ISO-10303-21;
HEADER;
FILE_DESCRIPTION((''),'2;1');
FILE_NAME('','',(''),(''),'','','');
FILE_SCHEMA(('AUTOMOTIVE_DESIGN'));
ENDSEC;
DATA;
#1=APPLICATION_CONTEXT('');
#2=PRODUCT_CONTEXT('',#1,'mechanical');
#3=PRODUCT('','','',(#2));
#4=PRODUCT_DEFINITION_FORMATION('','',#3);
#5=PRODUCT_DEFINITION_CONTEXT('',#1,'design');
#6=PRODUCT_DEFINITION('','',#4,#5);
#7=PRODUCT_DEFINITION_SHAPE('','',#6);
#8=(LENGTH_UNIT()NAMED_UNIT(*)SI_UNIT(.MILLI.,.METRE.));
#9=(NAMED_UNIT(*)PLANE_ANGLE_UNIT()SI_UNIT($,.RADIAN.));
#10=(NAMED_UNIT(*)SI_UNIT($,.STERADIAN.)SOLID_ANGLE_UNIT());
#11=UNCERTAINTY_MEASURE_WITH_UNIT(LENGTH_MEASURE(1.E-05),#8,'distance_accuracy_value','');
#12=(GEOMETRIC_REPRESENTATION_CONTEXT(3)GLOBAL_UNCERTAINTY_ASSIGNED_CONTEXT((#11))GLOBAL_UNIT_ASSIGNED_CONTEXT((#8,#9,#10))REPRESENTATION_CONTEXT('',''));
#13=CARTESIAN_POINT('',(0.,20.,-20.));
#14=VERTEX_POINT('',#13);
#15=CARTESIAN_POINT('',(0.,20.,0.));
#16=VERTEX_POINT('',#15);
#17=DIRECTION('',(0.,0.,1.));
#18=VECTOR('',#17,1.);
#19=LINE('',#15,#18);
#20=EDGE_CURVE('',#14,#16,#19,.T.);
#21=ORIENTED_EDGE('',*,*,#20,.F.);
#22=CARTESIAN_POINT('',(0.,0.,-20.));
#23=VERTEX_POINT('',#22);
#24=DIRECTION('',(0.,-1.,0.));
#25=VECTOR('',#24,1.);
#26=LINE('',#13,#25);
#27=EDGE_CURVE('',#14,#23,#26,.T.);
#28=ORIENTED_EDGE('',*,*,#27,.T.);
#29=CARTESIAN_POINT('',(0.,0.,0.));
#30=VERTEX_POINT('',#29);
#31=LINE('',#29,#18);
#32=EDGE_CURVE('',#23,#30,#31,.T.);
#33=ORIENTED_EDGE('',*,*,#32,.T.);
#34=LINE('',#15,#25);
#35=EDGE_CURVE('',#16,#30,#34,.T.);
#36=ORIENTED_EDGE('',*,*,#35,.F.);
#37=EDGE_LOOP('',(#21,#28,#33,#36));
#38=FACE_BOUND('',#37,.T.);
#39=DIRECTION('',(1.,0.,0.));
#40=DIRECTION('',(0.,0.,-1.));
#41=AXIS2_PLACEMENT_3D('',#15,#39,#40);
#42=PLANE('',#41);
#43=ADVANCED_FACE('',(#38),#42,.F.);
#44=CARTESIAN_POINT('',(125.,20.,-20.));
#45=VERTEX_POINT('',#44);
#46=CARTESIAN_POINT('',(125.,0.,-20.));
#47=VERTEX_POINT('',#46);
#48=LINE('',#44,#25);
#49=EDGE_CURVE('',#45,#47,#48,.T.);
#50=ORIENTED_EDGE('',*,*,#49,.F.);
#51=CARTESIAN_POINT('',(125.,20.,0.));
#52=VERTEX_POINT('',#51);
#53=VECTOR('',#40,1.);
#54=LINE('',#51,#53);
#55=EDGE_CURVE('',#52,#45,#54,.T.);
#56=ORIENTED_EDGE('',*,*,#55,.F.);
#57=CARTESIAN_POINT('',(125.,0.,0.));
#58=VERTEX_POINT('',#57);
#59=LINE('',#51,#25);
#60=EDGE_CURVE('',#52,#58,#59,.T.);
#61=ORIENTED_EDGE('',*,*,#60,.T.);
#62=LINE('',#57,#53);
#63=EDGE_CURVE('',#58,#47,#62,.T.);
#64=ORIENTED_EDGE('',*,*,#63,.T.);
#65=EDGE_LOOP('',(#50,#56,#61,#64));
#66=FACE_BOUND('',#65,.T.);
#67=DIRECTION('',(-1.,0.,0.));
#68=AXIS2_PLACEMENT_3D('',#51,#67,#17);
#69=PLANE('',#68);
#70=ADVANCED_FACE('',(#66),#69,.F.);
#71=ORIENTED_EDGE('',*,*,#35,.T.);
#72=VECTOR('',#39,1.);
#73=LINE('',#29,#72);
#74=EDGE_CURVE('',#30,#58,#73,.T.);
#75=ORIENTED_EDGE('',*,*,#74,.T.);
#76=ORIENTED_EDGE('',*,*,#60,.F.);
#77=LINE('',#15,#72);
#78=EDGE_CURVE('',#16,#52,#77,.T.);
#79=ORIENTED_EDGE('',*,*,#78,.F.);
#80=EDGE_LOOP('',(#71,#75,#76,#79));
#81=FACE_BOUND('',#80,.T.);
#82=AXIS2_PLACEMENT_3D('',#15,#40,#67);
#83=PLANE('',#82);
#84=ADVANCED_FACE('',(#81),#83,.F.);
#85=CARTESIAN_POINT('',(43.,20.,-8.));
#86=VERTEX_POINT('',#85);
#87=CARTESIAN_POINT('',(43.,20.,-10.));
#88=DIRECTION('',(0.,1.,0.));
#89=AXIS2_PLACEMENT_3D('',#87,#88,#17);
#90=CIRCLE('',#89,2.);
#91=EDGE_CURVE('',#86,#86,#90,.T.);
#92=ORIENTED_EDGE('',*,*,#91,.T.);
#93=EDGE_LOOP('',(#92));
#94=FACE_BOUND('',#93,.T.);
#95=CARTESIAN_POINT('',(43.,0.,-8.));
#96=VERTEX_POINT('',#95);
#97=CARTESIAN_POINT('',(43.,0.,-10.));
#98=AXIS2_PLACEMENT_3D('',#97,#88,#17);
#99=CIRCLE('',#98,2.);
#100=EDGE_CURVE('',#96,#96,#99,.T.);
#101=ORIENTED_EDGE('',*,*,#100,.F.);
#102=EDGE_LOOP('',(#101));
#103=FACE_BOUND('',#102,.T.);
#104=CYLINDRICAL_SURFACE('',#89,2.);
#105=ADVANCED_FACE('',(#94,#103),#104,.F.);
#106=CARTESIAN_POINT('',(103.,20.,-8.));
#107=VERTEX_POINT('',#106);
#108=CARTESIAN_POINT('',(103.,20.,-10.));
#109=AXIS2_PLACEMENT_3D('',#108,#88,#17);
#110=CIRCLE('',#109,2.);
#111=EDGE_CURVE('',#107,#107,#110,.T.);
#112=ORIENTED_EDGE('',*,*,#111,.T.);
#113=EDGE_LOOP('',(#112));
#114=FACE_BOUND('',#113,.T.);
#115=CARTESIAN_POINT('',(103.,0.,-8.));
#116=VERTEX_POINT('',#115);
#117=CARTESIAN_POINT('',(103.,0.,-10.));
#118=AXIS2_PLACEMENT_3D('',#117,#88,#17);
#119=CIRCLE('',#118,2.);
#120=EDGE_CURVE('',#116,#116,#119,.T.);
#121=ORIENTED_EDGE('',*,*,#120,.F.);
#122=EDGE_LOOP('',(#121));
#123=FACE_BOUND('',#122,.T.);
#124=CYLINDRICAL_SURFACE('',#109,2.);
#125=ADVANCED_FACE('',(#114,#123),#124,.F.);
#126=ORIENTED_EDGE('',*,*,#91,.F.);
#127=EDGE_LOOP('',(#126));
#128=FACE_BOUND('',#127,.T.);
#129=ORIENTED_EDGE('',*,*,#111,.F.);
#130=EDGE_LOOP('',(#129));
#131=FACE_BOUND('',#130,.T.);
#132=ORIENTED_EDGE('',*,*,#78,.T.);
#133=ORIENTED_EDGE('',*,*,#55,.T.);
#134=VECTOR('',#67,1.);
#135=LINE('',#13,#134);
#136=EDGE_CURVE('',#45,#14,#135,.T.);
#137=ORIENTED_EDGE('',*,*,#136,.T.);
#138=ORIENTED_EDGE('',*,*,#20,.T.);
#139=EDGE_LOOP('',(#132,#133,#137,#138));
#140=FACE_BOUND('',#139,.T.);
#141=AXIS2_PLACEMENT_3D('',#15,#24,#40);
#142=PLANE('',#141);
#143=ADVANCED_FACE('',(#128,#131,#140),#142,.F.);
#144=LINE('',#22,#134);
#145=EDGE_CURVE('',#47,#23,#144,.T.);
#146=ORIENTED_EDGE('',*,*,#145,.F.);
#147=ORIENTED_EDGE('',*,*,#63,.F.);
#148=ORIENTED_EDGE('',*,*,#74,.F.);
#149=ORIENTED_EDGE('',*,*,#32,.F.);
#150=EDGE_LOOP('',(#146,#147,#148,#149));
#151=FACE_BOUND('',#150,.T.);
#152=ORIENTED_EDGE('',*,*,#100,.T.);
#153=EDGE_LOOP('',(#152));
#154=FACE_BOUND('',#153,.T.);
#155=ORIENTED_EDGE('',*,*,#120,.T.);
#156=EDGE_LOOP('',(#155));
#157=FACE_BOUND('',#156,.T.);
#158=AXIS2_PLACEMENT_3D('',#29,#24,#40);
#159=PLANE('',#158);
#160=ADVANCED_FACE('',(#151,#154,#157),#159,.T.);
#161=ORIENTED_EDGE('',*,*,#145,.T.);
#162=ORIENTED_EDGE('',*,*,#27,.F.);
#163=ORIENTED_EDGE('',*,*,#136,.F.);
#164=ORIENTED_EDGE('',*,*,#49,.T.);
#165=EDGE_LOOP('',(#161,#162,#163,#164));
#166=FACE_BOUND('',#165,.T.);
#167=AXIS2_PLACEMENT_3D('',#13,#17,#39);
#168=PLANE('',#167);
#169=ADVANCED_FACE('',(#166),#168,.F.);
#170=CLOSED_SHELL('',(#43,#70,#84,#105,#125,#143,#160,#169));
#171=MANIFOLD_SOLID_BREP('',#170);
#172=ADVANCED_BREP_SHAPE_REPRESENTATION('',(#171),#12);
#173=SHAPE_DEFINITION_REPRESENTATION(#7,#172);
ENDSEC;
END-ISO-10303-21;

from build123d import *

# Parameters (mm, degrees)
SKETCH_1_W            = 125
SKETCH_1_H            = 20
EXTRUDE_1_DEPTH       = 20
HOLE_WIZARD_4_0_4_1_D = 4


with BuildPart() as part:
    # 草图1 → 凸台-拉伸1 (new body)
    with BuildSketch(Plane(origin=(0, 0, 0), x_dir=(1, 0, 0), z_dir=(0, 1, 0))):
        with Locations((62.5, 10)):
            Rectangle(SKETCH_1_W, SKETCH_1_H)
    extrude(amount=EXTRUDE_1_DEPTH)

    # Ø4.0 (4) 直径孔1 (through all)
    with Locations(Plane(origin=(0, 20, 0), x_dir=(1, 0, 0), z_dir=(0, 1, 0))):
        with Locations((103, 10), (43, 10)):
            Hole(HOLE_WIZARD_4_0_4_1_D / 2)


solid = part.part
